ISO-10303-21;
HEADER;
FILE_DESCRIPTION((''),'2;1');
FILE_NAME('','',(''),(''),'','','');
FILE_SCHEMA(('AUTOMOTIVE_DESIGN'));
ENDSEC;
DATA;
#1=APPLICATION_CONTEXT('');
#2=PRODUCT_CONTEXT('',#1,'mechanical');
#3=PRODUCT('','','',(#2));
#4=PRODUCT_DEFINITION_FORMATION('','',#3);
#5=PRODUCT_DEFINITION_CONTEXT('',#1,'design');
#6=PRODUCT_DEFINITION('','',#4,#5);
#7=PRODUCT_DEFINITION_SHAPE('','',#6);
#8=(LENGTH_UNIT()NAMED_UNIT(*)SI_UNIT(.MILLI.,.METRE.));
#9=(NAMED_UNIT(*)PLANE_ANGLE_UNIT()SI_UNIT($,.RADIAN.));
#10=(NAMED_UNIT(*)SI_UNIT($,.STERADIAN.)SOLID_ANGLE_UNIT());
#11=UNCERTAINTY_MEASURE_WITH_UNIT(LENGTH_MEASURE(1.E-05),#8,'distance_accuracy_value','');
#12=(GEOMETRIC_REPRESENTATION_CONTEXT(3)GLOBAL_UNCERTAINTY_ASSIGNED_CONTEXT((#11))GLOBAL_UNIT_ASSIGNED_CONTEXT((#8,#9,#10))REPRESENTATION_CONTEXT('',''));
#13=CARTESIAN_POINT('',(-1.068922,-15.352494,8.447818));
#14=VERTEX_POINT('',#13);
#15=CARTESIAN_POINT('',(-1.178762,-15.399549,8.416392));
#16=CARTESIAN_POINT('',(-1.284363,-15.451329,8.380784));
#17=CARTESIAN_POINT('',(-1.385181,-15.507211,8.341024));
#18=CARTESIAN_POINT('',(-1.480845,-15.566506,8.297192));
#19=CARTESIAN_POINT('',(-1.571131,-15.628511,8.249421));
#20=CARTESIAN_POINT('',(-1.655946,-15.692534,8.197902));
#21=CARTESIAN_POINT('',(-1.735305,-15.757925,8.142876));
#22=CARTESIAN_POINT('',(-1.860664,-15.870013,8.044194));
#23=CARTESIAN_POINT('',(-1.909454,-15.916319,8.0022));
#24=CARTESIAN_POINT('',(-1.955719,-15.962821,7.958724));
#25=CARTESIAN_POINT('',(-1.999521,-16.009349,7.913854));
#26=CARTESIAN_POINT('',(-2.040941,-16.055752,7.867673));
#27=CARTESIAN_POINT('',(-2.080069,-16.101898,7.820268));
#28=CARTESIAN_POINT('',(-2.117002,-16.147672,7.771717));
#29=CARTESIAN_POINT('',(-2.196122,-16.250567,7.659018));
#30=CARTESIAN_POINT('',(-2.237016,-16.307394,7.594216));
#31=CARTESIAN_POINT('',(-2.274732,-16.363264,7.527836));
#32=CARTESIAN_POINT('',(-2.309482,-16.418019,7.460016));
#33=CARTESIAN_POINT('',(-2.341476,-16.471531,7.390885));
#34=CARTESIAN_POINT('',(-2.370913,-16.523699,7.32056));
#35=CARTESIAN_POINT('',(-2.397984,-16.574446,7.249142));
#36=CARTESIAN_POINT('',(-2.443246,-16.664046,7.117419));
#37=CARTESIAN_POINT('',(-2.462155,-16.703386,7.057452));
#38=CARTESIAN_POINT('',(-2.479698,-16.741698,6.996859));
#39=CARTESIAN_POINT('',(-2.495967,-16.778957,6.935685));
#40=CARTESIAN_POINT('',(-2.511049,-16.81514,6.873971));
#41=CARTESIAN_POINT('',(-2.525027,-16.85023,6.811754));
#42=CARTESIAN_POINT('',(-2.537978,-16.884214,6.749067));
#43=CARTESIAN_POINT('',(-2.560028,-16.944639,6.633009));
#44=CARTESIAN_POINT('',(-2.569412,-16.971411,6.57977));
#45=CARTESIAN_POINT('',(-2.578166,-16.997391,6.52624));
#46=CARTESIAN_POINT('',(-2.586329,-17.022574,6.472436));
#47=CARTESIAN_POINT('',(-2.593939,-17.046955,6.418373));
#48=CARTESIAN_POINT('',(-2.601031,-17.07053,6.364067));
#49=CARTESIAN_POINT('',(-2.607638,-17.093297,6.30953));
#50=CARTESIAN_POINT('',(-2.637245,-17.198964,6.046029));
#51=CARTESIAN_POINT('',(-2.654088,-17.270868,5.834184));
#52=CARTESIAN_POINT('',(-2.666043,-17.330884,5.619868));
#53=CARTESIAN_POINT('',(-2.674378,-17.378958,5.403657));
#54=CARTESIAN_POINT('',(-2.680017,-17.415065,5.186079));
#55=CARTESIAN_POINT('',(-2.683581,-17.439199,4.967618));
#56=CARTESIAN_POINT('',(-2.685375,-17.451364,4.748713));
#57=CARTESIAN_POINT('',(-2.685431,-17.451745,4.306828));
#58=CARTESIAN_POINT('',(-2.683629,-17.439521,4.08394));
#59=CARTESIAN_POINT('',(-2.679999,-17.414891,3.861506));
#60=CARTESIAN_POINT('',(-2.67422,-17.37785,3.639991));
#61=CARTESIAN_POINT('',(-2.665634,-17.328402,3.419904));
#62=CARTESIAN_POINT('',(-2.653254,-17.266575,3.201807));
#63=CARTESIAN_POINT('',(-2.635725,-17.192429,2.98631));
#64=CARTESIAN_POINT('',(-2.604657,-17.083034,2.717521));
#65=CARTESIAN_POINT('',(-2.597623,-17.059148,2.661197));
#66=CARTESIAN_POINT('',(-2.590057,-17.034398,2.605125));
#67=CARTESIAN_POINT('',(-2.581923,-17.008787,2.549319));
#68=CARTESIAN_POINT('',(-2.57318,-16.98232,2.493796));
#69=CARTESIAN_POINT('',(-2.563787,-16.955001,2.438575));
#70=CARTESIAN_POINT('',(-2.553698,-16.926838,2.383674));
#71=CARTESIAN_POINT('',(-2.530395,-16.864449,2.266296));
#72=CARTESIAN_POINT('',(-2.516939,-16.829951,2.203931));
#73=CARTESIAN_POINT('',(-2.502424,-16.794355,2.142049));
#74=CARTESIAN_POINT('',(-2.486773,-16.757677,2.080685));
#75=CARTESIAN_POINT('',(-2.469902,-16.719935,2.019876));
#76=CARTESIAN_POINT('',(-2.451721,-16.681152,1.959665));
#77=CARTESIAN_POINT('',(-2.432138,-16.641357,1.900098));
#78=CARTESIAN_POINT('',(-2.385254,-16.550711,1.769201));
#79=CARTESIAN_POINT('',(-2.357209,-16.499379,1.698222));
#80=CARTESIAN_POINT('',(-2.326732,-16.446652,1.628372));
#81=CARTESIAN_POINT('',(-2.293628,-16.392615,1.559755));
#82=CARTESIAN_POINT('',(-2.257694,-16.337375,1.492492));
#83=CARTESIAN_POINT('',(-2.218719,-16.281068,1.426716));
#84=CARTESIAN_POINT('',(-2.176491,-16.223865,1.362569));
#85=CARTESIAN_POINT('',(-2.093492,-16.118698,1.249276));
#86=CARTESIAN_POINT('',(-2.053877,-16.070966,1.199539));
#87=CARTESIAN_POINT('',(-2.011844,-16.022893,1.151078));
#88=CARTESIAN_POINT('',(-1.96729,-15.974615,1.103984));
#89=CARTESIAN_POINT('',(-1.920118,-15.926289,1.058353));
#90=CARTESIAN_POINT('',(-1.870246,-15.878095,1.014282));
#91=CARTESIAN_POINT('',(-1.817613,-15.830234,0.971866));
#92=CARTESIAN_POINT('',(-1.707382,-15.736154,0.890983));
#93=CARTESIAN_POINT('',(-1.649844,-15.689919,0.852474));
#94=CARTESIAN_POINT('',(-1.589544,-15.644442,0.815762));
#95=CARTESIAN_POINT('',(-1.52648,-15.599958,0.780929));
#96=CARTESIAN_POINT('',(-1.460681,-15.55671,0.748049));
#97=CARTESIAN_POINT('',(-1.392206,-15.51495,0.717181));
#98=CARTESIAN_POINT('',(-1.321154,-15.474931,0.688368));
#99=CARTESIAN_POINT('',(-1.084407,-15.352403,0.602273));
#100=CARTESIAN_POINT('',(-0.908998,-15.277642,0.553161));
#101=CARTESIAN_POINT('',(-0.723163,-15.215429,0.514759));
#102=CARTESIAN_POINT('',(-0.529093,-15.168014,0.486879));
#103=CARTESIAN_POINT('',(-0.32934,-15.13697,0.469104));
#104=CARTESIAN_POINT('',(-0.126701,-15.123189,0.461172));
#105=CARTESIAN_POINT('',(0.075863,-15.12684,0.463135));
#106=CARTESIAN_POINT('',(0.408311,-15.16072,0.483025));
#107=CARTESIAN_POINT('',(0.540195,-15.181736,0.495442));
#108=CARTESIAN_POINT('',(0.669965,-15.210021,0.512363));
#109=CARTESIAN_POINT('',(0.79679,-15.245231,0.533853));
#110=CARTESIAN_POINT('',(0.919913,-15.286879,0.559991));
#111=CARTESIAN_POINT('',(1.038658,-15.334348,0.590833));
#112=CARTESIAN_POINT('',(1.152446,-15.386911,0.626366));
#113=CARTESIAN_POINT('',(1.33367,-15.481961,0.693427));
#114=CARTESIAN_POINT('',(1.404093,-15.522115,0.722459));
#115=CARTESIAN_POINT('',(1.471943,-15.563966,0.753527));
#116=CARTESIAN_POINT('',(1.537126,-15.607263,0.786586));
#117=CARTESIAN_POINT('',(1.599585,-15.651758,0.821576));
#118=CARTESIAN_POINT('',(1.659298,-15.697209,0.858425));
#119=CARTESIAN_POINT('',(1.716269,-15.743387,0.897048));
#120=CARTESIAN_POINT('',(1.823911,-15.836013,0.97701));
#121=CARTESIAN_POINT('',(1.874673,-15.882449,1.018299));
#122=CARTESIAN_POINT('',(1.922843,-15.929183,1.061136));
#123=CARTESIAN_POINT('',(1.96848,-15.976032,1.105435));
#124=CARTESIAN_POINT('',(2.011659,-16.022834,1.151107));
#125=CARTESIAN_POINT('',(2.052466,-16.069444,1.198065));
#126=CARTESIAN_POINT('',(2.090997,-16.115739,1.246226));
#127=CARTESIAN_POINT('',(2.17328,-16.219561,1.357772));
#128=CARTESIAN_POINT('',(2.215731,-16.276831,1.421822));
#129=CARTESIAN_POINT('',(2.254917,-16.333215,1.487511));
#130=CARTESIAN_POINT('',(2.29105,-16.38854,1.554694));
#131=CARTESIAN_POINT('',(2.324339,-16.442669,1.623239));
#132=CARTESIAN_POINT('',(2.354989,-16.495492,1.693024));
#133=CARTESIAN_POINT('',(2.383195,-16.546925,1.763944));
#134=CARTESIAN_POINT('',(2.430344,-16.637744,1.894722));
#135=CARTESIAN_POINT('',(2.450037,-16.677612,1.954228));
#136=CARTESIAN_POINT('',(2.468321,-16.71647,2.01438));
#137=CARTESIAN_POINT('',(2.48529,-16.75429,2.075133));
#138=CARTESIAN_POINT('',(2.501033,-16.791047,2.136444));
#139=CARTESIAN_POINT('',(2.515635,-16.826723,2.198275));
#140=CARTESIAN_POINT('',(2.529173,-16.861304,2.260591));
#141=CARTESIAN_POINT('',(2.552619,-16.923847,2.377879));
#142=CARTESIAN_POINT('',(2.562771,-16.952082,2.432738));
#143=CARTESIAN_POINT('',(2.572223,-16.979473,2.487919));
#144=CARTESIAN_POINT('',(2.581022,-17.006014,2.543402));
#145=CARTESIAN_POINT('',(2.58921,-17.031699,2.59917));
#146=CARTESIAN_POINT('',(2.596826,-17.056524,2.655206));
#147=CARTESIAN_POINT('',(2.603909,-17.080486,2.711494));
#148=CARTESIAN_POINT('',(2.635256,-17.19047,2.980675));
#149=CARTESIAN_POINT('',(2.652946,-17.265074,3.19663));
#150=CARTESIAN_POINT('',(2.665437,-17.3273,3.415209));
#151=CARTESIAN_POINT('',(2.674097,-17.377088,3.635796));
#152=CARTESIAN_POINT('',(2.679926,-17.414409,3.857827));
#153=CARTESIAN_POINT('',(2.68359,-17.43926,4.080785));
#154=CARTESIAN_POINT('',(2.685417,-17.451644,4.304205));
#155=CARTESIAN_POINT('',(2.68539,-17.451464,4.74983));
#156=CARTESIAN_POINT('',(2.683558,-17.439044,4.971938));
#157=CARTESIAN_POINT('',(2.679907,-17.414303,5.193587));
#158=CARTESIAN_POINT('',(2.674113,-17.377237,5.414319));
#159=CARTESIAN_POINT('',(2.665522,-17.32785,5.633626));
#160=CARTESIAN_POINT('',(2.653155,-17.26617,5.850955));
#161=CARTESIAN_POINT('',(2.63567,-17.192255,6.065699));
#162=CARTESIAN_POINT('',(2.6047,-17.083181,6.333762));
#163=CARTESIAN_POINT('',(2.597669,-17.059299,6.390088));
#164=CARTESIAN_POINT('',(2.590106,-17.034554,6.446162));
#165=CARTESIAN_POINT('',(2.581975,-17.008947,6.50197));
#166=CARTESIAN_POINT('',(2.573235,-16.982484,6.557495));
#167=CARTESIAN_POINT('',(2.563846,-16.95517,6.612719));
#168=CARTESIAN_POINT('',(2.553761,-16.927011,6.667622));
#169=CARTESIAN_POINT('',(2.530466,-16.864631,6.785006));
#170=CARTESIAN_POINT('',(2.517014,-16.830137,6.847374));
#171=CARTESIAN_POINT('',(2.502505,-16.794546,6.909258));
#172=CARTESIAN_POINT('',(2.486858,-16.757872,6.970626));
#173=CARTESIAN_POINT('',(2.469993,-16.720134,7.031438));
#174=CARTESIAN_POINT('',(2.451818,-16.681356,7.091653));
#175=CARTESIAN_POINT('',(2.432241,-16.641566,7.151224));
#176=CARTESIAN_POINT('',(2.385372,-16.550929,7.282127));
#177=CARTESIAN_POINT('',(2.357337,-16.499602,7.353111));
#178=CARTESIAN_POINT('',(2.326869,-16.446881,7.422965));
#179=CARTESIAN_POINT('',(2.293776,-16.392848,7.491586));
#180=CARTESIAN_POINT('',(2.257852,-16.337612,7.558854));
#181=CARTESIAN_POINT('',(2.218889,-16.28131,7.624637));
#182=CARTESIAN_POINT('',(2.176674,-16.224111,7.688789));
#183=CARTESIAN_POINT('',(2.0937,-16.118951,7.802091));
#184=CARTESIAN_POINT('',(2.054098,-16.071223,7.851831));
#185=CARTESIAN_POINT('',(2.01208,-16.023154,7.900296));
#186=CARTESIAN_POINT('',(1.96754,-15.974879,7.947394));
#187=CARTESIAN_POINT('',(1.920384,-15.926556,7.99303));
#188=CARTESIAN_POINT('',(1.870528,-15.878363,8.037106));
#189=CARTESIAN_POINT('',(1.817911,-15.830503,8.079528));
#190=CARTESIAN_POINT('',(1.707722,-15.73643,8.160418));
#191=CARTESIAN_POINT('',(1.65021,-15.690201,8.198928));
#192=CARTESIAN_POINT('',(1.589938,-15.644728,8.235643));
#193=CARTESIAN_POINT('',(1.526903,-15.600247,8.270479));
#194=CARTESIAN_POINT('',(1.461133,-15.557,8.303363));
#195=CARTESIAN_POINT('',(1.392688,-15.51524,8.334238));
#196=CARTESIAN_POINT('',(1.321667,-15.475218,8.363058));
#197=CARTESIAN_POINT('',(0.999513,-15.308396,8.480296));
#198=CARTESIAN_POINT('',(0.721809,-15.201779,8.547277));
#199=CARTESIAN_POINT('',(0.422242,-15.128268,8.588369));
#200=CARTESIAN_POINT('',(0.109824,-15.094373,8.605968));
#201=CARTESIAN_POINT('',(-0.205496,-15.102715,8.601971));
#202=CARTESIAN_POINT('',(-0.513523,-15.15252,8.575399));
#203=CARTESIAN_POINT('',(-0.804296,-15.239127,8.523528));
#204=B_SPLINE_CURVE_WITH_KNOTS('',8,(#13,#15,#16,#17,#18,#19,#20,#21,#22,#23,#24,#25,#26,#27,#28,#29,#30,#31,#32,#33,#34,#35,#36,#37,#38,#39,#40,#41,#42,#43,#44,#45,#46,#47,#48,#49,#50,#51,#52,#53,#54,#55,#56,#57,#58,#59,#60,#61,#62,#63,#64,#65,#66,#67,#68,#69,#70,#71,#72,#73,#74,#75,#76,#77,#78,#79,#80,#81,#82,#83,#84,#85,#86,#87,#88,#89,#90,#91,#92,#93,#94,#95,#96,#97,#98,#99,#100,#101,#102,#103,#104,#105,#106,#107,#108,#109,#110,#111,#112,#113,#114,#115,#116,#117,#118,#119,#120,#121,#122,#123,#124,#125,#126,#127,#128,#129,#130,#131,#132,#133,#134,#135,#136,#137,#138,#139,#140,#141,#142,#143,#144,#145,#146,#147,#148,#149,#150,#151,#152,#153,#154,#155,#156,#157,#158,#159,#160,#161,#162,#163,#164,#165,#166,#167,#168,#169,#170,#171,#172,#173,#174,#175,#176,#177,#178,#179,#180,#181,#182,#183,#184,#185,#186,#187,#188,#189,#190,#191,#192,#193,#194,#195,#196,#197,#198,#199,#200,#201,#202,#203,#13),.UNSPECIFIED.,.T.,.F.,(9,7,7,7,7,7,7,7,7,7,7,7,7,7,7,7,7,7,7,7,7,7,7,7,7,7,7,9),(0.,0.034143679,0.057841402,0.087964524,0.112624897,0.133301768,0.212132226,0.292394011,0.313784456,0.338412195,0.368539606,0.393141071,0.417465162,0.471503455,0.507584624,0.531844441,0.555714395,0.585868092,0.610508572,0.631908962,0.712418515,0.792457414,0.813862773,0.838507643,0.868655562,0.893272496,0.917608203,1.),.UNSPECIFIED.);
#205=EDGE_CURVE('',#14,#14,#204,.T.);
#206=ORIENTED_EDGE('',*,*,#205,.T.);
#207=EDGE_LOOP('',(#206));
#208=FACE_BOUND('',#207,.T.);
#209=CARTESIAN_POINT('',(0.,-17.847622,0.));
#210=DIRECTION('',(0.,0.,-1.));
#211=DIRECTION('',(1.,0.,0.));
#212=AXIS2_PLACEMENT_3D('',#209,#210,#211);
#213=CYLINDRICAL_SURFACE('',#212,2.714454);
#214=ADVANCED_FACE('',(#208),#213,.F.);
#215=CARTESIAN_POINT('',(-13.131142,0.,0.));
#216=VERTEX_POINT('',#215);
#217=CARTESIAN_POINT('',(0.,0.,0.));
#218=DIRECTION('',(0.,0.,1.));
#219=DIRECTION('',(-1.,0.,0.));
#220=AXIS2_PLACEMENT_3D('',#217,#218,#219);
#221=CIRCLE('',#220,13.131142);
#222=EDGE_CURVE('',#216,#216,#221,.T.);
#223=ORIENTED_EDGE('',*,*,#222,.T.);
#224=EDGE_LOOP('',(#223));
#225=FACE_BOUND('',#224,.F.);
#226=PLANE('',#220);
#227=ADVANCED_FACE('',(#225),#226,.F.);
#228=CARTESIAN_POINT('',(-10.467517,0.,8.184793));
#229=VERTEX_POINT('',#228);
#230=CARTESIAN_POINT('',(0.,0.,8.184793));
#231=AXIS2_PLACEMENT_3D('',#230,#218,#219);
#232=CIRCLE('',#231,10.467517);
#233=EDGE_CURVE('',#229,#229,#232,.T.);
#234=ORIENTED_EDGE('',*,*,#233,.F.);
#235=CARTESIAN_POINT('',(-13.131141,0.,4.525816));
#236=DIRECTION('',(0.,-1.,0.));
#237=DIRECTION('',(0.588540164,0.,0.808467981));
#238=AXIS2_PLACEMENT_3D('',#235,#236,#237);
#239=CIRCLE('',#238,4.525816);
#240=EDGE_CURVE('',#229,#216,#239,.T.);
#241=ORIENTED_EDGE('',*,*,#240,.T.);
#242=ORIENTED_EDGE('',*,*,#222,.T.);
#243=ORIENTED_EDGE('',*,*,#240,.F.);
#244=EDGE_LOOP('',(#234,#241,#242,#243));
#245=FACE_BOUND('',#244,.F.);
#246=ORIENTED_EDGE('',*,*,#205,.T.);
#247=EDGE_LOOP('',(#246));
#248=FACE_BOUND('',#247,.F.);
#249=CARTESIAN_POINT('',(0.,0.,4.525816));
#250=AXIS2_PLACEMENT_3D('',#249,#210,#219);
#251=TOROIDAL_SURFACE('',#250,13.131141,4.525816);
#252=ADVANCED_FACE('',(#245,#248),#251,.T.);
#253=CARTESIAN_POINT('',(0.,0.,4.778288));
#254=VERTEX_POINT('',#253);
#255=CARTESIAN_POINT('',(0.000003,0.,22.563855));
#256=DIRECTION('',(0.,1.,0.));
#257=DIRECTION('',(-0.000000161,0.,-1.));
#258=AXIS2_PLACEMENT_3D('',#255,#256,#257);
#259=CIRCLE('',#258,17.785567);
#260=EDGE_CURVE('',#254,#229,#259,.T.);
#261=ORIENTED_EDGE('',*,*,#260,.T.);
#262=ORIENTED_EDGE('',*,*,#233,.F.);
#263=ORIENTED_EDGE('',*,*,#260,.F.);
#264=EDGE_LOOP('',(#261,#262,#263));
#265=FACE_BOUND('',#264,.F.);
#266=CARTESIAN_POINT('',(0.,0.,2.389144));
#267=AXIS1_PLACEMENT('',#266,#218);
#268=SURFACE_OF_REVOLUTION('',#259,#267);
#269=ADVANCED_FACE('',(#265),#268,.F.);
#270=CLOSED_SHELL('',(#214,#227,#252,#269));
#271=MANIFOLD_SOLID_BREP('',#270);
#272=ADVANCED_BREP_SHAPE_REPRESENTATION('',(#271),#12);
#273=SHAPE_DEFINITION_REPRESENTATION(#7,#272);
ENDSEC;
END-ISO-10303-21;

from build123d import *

# Parameters (mm, degrees)
F2_R     = 2.714454
F3_DEPTH = 25


with BuildPart() as f1:
    # F0 (on Front) → F1 (revolve)
    with BuildSketch(Plane.XZ):
        with BuildLine():
            Line((-13.131142, 0), (0, 0))
            Line((0, 0), (0, 4.778288))
            ThreePointArc((0, 4.778288), (-5.503935, 5.651343), (-10.467517, 8.184793))
            ThreePointArc((-10.467517, 8.184793), (-9.097652, 6.578611), (-8.605326, 4.525816))
            ThreePointArc((-8.605326, 4.525816), (-9.930907, 1.325581), (-13.131142, 0))
        make_face()
        with BuildLine():
            ThreePointArc((-10.467517, 8.184793), (-17.434795, 5.926378), (-13.131142, 0))
            ThreePointArc((-13.131142, 0), (-9.930907, 1.325581), (-8.605326, 4.525816))
            ThreePointArc((-8.605326, 4.525816), (-9.097652, 6.578611), (-10.467517, 8.184793))
        make_face()
    revolve(axis=Axis((0, 0, 2.389144), (0, 0, 1)))

    # F2 (on Top) → F3 (cut)
    with BuildSketch(Plane.XY):
        with Locations((0, -17.847622)):
            Circle(F2_R)
    extrude(amount=F3_DEPTH, mode=Mode.SUBTRACT)


solid = f1.part
